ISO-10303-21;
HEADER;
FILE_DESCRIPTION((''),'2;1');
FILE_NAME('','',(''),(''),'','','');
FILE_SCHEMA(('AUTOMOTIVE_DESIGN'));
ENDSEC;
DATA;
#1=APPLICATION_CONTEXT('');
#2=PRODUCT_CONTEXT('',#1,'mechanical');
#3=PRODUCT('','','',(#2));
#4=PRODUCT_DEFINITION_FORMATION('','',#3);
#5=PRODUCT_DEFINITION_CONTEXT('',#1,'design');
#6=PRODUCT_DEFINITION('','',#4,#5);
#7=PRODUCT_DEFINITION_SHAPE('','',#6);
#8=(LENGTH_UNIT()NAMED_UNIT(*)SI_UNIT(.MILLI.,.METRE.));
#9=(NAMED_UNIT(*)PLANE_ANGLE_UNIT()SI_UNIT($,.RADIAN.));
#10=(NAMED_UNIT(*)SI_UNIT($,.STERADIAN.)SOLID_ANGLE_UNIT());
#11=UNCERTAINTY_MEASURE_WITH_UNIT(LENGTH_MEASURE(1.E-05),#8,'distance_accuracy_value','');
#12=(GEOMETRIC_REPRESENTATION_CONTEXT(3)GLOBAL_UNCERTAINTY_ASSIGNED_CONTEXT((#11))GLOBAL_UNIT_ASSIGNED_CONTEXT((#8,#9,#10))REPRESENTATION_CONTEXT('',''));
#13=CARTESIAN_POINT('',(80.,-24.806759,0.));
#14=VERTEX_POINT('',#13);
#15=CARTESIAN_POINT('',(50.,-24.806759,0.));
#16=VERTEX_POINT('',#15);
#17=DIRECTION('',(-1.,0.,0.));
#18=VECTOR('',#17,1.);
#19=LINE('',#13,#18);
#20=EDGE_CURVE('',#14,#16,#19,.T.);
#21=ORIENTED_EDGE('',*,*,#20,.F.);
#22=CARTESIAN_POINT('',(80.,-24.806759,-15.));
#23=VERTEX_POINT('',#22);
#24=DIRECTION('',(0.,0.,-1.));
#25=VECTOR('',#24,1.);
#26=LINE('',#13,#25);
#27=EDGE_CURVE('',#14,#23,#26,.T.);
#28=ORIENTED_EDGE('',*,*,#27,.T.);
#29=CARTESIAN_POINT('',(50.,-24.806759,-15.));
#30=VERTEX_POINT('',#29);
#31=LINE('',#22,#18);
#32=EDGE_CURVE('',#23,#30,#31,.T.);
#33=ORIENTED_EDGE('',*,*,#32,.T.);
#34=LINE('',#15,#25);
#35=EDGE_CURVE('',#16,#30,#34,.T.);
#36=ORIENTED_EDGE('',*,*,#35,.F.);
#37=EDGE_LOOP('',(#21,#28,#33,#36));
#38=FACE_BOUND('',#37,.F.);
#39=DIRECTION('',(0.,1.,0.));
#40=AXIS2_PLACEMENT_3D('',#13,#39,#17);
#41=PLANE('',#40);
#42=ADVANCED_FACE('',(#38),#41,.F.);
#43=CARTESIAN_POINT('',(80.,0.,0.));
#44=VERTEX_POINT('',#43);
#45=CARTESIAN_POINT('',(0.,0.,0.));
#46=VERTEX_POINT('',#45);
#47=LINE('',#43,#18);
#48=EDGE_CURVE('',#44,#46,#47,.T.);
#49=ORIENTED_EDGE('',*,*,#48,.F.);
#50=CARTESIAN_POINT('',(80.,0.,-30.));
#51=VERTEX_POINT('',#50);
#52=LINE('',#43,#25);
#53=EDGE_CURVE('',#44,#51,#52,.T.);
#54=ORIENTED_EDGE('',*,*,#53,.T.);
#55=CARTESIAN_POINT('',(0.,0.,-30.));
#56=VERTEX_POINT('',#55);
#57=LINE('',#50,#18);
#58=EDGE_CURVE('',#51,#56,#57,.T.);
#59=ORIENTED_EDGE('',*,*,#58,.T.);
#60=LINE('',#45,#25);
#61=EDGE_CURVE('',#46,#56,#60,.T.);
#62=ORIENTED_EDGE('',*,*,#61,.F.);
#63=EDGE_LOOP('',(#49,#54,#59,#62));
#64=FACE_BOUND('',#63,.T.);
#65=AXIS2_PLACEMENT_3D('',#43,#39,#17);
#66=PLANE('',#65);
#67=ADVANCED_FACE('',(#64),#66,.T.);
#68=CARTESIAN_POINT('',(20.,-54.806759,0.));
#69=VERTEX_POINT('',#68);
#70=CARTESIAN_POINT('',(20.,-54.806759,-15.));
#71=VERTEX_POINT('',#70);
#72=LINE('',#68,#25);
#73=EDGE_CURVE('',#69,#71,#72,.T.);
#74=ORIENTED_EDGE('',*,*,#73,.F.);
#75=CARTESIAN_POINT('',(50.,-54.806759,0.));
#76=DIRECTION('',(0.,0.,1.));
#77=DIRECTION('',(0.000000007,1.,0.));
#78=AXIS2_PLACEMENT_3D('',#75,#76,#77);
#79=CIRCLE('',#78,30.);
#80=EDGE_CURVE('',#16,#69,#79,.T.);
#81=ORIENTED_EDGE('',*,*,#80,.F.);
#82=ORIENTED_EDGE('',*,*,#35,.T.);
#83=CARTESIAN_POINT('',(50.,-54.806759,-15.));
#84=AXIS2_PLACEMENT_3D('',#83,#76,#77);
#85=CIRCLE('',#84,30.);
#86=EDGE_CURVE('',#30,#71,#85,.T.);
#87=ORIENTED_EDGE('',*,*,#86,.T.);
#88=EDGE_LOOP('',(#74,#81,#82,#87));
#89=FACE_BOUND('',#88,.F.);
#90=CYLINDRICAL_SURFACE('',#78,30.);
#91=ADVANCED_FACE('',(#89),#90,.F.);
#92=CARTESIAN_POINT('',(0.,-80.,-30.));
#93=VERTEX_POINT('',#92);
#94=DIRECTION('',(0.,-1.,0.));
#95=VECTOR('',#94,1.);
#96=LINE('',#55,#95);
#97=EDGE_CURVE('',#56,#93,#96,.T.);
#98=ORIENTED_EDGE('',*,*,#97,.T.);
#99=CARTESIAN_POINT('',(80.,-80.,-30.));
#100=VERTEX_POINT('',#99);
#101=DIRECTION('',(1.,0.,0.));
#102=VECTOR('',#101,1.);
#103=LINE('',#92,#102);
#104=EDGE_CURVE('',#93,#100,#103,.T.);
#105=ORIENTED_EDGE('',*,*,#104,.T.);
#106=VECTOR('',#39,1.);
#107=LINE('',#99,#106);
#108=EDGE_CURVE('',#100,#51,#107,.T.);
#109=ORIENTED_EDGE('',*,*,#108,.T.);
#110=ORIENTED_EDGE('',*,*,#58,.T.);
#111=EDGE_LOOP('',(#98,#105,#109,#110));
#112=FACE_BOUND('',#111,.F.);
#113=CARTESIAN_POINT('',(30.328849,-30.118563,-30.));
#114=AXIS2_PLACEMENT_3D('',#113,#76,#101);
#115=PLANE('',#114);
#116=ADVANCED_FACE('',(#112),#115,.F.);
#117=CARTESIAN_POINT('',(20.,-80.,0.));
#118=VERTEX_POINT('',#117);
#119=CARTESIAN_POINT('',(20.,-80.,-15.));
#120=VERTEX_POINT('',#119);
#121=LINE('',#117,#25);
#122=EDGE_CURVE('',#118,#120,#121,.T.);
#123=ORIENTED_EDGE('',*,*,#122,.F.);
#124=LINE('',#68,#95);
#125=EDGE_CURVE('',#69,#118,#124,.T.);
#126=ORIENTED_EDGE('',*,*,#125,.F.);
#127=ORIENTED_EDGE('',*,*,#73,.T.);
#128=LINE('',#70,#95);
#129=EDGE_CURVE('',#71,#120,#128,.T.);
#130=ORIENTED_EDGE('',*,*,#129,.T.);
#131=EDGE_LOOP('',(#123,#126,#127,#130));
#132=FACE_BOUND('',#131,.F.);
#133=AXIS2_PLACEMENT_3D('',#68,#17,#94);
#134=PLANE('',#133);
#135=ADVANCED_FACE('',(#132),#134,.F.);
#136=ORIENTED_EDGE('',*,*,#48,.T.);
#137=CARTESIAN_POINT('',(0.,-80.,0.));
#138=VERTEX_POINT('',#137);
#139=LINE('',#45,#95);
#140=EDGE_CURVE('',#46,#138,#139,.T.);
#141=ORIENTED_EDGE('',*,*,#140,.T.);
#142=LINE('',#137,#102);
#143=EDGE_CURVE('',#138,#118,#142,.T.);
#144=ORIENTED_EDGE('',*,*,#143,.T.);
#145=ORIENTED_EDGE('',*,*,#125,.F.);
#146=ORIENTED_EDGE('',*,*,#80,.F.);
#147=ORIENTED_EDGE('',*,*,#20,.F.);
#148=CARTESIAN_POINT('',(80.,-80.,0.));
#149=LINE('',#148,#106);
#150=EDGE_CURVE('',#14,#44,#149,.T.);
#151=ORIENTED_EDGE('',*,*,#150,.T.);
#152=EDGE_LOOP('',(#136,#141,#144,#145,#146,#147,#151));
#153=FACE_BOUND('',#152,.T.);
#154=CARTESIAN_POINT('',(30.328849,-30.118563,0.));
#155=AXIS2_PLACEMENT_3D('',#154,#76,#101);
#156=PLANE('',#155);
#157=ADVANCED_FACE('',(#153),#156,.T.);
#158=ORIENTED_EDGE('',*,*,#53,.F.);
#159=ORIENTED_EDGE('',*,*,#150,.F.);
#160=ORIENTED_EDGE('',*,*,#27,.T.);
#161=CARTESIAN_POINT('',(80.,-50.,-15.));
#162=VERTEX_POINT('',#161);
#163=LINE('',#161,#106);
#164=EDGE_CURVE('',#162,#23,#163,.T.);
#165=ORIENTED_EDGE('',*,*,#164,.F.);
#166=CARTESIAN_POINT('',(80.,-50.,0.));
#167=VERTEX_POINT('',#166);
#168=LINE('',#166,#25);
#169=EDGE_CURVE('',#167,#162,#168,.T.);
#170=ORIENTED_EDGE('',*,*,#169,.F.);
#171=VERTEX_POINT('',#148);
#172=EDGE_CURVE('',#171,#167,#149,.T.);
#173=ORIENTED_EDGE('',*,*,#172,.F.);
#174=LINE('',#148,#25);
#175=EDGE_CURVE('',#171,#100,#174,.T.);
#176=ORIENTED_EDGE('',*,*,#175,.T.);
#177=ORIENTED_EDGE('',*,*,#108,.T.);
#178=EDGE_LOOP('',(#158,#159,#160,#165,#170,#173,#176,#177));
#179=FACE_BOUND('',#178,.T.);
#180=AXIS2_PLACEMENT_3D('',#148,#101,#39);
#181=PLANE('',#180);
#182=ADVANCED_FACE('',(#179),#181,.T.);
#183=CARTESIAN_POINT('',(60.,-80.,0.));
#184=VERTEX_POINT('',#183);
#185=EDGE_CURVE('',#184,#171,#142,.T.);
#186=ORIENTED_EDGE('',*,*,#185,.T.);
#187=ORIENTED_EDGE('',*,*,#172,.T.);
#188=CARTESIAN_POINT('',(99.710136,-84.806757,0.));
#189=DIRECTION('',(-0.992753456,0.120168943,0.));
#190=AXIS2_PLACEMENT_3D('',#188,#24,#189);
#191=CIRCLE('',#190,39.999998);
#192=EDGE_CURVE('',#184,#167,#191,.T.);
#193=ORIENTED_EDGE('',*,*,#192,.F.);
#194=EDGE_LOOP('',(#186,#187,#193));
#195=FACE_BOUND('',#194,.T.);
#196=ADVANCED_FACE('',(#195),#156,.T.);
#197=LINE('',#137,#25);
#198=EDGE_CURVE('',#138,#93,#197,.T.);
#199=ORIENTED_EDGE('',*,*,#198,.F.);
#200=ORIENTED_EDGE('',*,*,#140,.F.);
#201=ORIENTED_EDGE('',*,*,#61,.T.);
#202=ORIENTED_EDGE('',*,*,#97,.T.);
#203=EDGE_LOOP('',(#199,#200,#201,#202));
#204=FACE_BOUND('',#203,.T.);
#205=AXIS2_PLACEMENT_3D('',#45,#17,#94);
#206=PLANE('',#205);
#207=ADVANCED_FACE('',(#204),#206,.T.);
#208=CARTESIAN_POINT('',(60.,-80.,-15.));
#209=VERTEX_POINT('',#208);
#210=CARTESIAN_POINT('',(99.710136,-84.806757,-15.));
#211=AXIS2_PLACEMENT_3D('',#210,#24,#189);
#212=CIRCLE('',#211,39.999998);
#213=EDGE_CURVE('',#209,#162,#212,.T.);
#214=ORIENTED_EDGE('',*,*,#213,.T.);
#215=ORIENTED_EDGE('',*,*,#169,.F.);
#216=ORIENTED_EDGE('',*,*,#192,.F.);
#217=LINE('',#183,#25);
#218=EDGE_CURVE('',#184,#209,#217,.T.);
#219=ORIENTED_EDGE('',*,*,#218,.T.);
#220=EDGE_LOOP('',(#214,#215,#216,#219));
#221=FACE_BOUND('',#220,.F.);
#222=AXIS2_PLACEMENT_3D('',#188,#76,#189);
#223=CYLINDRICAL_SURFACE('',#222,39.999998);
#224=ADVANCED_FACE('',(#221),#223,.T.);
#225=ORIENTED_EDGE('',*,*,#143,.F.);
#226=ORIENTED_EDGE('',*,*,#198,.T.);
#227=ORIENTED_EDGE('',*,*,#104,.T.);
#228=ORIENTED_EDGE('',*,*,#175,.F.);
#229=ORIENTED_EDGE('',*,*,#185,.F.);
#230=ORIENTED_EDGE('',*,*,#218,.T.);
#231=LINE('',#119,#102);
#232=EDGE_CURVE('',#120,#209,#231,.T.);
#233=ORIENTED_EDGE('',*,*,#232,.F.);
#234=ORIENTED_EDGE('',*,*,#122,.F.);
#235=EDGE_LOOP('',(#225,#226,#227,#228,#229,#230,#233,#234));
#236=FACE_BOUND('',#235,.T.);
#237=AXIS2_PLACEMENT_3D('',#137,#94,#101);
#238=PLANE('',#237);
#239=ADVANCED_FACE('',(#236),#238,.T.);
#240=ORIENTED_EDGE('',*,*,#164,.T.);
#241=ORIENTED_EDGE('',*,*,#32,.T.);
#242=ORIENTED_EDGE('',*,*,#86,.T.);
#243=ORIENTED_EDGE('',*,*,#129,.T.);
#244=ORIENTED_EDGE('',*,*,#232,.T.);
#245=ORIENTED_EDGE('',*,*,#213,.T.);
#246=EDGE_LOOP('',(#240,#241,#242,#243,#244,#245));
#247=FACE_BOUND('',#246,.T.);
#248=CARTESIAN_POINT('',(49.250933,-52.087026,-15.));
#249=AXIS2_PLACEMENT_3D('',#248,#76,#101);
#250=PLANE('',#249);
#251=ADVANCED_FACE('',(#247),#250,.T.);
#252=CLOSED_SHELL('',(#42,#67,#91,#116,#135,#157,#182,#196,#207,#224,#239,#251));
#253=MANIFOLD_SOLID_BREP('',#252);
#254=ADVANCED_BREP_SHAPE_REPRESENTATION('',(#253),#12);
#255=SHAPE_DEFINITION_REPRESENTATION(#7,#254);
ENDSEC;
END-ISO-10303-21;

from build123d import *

# Parameters (mm, degrees)
F1_DEPTH = 30
F2_DEPTH = 15


with BuildPart() as f1:
    # F0 (on Top) → F1 (new body)
    with BuildSketch(Plane.XY):
        with BuildLine():
            Line((80, 0), (0, 0))
            Line((0, 0), (0, -80))
            Line((0, -80), (20, -80))
            Line((20, -80), (20, -54.806759))
            ThreePointArc((20, -54.806759), (28.786797, -33.593555), (50, -24.806759))
            Line((50, -24.806759), (80, -24.806759))
            Line((80, -24.806759), (80, 0))
        make_face()
        with BuildLine():
            Line((80, -50), (80, -24.806759))
            Line((80, -24.806759), (50, -24.806759))
            ThreePointArc((50, -24.806759), (28.786797, -33.593555), (20, -54.806759))
            Line((20, -54.806759), (20, -80))
            Line((20, -80), (60, -80))
            ThreePointArc((60, -80), (66.428126, -62.618751), (80, -50))
        make_face()
        with BuildLine():
            Line((80, -80), (80, -50))
            ThreePointArc((80, -50), (66.428126, -62.618751), (60, -80))
            Line((60, -80), (80, -80))
        make_face()
    extrude(amount=-F1_DEPTH)

    # F0 (on Top) → F2 (cut)
    with BuildSketch(Plane.XY):
        with BuildLine():
            Line((80, -50), (80, -24.806759))
            Line((80, -24.806759), (50, -24.806759))
            ThreePointArc((50, -24.806759), (28.786797, -33.593555), (20, -54.806759))
            Line((20, -54.806759), (20, -80))
            Line((20, -80), (60, -80))
            ThreePointArc((60, -80), (66.428126, -62.618751), (80, -50))
        make_face()
    extrude(amount=-F2_DEPTH, mode=Mode.SUBTRACT)


solid = f1.part
